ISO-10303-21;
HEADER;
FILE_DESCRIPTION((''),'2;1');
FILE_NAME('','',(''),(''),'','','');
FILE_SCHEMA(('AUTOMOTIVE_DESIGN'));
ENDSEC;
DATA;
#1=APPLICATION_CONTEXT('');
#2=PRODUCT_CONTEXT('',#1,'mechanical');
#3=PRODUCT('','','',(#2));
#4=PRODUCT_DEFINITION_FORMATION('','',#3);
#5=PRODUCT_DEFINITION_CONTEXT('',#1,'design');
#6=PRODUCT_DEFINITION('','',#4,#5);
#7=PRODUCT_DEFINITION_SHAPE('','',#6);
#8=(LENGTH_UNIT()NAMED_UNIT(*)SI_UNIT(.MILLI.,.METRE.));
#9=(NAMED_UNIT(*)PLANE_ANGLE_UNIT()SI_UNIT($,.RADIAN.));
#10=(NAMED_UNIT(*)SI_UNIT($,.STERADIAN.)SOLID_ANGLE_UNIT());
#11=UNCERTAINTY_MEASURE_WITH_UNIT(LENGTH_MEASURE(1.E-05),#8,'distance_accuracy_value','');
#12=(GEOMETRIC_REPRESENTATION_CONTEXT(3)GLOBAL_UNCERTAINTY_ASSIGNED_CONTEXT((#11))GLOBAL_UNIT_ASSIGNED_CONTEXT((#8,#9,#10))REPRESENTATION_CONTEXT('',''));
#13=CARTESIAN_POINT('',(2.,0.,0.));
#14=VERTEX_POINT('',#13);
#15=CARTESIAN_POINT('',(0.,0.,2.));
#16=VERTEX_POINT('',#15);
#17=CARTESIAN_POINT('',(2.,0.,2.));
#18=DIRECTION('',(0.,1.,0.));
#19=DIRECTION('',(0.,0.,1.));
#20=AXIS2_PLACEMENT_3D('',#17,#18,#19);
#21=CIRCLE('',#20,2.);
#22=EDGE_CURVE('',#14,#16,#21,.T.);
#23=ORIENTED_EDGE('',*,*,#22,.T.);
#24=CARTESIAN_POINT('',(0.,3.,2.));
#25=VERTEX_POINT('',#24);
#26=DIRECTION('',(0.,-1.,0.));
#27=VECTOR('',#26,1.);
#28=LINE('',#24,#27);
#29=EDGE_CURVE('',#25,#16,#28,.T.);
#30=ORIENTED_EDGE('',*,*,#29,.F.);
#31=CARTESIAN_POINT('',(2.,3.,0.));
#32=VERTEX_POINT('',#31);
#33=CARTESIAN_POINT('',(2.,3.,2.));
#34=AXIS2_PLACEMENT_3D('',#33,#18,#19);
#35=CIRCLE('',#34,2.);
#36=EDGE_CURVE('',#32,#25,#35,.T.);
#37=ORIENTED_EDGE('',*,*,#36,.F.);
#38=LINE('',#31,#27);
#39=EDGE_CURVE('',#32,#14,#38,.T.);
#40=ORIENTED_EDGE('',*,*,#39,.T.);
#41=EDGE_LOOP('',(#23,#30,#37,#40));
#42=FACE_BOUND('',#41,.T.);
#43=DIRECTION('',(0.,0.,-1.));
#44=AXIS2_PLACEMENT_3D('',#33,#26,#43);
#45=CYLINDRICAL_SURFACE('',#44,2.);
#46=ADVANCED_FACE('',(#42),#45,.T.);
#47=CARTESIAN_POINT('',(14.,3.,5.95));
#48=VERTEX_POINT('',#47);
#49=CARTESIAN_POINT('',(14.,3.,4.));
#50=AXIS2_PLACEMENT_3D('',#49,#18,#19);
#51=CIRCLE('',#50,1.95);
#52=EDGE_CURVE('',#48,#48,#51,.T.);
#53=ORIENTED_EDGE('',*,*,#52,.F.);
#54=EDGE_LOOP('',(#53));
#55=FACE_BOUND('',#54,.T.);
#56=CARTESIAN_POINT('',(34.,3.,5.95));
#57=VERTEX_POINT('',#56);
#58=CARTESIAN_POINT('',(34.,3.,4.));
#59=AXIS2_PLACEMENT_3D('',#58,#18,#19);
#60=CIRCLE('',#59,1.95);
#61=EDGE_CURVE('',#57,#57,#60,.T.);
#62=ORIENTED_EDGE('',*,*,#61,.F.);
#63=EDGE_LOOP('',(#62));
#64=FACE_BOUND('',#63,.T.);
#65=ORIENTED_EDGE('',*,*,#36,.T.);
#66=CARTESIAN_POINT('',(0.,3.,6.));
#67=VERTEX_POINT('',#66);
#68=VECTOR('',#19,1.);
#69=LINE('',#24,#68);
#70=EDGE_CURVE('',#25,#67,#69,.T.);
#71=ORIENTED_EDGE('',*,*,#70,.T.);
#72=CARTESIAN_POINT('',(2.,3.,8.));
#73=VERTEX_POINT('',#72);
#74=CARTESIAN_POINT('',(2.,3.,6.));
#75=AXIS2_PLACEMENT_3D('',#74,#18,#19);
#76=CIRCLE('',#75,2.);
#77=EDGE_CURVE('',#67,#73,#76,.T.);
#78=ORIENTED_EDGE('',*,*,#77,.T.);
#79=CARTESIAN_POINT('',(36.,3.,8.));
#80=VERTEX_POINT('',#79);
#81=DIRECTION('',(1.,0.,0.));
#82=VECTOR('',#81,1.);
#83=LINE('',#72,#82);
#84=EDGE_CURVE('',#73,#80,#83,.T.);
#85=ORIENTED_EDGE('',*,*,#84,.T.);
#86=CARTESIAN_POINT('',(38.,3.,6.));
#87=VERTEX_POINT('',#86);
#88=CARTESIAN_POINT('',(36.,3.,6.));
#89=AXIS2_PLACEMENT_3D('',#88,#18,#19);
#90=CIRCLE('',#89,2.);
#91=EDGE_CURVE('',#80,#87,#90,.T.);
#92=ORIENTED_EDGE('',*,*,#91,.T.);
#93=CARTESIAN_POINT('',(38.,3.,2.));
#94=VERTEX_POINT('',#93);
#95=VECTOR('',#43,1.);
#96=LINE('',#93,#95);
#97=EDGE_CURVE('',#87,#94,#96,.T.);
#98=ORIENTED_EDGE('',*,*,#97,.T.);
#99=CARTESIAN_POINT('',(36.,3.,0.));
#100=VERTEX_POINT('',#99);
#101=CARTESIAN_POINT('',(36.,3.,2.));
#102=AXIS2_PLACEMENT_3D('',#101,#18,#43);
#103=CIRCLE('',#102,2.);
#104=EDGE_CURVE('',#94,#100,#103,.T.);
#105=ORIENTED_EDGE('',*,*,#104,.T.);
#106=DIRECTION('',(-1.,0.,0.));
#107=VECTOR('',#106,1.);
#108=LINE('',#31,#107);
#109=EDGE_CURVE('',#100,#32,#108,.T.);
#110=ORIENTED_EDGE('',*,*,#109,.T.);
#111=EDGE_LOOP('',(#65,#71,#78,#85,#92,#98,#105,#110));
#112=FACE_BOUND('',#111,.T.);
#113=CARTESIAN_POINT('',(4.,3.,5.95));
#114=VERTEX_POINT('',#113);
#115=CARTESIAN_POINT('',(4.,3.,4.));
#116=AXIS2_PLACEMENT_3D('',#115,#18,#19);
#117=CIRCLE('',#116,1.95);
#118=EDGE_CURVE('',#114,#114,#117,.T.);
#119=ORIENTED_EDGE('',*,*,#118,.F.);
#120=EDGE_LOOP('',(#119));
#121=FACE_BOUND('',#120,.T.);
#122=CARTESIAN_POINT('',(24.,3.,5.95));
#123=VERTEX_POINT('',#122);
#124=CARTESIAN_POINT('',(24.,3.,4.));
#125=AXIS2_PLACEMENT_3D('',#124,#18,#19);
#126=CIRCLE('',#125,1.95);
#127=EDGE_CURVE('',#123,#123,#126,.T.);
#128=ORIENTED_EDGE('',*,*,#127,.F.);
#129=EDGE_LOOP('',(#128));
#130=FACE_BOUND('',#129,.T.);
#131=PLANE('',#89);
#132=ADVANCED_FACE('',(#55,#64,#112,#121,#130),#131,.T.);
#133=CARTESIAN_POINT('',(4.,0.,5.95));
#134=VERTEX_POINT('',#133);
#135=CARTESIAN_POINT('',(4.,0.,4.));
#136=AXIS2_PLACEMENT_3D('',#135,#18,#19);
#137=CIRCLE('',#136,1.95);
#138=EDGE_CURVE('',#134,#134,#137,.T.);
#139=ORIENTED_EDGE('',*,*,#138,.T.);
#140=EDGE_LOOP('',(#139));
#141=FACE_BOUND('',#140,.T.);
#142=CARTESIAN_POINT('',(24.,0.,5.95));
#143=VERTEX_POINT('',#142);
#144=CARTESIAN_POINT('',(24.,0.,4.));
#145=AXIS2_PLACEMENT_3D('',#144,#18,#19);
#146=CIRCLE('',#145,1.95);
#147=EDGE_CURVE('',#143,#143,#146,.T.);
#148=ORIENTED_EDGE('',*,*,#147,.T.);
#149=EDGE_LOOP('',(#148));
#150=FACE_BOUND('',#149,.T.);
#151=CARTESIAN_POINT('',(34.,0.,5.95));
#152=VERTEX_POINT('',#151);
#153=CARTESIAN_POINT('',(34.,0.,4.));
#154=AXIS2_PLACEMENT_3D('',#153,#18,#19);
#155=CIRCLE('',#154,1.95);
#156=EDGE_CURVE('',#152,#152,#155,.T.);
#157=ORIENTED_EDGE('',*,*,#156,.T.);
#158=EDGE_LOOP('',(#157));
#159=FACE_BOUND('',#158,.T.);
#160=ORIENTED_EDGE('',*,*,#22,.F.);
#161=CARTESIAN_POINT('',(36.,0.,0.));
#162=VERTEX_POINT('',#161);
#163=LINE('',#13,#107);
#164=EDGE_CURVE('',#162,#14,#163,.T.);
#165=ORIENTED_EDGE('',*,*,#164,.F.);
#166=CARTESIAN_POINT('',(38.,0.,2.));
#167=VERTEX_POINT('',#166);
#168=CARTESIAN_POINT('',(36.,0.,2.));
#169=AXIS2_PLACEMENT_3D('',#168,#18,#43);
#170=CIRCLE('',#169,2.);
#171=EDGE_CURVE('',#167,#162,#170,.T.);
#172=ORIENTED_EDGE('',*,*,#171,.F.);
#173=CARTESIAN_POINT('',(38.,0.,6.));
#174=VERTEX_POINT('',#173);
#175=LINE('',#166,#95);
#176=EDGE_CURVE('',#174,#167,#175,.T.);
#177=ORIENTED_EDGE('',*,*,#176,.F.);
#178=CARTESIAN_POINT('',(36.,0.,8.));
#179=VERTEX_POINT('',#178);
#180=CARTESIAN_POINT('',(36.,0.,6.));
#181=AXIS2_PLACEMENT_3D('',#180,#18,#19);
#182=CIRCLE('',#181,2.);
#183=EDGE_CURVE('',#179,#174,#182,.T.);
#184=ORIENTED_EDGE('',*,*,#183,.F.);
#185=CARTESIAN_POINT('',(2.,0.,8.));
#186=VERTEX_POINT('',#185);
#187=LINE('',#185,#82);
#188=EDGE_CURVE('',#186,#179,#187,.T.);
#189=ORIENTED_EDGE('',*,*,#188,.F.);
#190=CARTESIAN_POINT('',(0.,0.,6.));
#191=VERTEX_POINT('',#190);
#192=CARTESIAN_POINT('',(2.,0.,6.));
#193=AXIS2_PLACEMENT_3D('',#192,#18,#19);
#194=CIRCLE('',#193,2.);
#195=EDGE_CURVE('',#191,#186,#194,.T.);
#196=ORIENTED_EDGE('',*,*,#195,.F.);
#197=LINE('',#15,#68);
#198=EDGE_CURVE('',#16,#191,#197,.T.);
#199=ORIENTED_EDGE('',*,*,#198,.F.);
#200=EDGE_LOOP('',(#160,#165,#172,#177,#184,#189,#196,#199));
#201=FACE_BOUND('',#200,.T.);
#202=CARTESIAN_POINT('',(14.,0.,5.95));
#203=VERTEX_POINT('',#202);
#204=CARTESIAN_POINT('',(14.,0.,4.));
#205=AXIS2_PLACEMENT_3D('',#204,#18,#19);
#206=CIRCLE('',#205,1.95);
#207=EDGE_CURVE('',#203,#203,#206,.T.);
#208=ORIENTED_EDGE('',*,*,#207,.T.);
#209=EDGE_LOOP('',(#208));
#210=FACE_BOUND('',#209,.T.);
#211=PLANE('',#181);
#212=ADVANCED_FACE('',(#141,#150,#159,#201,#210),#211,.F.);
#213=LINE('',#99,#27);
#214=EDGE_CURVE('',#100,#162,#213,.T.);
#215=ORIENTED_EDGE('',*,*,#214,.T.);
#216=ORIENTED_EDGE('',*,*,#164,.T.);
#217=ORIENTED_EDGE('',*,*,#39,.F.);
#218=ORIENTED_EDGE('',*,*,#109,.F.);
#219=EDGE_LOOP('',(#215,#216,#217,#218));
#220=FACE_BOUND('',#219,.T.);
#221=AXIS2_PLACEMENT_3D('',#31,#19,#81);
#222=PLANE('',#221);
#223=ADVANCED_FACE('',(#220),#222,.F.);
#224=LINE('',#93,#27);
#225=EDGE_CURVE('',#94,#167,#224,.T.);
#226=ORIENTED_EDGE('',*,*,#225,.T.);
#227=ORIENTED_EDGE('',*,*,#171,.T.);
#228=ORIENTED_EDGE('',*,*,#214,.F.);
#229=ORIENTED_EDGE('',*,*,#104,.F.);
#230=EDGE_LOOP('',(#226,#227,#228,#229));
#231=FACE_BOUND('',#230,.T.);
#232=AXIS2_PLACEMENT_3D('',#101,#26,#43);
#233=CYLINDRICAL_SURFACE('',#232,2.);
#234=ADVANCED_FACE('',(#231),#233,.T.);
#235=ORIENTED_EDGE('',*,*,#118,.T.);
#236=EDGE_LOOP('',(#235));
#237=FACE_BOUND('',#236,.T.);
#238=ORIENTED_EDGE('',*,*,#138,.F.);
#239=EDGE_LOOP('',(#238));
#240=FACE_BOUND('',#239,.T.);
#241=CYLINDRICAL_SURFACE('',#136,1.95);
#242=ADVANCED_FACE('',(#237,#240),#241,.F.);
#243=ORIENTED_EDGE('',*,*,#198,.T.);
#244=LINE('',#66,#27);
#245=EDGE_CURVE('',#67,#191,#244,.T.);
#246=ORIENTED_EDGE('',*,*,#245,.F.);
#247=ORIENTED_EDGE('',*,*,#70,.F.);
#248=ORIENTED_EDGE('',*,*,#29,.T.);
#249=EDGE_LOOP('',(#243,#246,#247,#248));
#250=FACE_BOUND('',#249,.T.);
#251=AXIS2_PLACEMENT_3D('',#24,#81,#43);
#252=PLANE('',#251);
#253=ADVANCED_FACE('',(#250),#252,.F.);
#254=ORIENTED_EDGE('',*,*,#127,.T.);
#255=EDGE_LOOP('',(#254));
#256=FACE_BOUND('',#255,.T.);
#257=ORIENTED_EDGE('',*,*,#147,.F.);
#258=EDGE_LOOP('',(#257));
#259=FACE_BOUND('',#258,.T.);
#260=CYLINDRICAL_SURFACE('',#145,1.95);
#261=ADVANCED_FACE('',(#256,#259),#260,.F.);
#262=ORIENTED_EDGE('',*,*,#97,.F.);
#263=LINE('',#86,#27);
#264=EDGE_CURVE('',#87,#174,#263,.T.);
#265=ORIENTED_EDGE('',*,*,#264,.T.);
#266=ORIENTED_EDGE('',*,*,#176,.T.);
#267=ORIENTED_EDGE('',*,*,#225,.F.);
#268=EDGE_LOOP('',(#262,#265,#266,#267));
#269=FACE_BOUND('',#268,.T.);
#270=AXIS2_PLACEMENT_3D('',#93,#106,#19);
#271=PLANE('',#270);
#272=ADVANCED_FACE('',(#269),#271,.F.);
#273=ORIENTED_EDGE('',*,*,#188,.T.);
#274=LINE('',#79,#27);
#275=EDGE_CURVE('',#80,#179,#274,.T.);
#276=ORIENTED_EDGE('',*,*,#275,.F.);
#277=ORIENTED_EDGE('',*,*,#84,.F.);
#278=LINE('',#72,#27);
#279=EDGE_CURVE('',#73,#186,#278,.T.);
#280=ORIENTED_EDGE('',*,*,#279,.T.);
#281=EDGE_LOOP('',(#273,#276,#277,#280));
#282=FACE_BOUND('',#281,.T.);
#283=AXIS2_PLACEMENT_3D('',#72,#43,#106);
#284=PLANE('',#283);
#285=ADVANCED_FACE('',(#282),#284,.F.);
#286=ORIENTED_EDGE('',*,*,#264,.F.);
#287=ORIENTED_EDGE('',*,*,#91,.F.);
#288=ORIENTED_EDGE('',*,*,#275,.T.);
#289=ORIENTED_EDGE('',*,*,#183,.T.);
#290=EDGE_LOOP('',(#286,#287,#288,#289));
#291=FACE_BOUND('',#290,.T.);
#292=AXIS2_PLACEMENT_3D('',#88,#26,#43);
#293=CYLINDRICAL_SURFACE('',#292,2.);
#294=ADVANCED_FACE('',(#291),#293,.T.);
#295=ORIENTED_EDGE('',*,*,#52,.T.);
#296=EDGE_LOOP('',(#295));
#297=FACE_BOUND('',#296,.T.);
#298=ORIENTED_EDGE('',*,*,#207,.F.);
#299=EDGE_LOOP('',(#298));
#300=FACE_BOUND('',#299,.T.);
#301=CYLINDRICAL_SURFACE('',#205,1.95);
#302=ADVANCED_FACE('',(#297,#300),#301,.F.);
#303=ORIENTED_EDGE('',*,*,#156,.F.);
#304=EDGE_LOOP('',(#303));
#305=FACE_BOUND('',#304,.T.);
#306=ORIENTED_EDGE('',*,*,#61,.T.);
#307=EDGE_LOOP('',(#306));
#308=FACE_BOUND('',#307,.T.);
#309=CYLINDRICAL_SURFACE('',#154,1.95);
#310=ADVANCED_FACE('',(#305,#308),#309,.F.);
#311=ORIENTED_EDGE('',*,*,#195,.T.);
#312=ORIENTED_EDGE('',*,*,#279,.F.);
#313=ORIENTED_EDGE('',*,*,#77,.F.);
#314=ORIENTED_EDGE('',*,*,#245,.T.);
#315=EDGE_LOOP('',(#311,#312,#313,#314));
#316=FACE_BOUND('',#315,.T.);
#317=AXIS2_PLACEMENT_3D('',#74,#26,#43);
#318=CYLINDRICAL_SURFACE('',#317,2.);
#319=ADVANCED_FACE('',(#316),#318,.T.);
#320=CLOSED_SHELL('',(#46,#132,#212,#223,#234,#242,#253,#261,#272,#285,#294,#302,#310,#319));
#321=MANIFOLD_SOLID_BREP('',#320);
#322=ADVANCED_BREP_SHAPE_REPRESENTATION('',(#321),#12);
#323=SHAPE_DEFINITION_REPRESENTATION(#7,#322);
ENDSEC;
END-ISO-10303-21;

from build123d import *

# Parameters (mm, degrees)
BOSS_EXTRUDE1_DEPTH = 3
SKETCH2_R           = 1.95
CUT_EXTRUDE1_DEPTH  = 4


with BuildPart() as part:
    # Sketch1 → Boss-Extrude1 (new body)
    with BuildSketch(Plane(origin=(0, 0, 0), x_dir=(1, 0, 0), z_dir=(0, 1, 0))):
        with BuildLine():
            Line((2, 0), (36, 0))
            ThreePointArc((36, 0), (37.414213562, -0.585786438), (38, -2))
            Line((38, -2), (38, -6))
            ThreePointArc((38, -6), (37.414213562, -7.414213562), (36, -8))
            Line((36, -8), (2, -8))
            ThreePointArc((2, -8), (0.585786438, -7.414213562), (0, -6))
            Line((0, -6), (0, -2))
            ThreePointArc((0, -2), (0.585786438, -0.585786438), (2, 0))
        make_face()
    extrude(amount=BOSS_EXTRUDE1_DEPTH)

    # Sketch2 → Cut-Extrude1 (cut, through all)
    with BuildSketch(Plane(origin=(0, 3, 0), x_dir=(1, 0, 0), z_dir=(0, 1, 0))):
        with Locations((34, -4)):
            Circle(SKETCH2_R)
        with Locations((24, -4)):
            Circle(SKETCH2_R)
        with Locations((14, -4)):
            Circle(SKETCH2_R)
        with Locations((-16, -4)):
            Circle(SKETCH2_R)
        with Locations((4, -4)):
            Circle(SKETCH2_R)
        with Locations((-6, -4)):
            Circle(SKETCH2_R)
    extrude(amount=-CUT_EXTRUDE1_DEPTH, mode=Mode.SUBTRACT)


solid = part.part
